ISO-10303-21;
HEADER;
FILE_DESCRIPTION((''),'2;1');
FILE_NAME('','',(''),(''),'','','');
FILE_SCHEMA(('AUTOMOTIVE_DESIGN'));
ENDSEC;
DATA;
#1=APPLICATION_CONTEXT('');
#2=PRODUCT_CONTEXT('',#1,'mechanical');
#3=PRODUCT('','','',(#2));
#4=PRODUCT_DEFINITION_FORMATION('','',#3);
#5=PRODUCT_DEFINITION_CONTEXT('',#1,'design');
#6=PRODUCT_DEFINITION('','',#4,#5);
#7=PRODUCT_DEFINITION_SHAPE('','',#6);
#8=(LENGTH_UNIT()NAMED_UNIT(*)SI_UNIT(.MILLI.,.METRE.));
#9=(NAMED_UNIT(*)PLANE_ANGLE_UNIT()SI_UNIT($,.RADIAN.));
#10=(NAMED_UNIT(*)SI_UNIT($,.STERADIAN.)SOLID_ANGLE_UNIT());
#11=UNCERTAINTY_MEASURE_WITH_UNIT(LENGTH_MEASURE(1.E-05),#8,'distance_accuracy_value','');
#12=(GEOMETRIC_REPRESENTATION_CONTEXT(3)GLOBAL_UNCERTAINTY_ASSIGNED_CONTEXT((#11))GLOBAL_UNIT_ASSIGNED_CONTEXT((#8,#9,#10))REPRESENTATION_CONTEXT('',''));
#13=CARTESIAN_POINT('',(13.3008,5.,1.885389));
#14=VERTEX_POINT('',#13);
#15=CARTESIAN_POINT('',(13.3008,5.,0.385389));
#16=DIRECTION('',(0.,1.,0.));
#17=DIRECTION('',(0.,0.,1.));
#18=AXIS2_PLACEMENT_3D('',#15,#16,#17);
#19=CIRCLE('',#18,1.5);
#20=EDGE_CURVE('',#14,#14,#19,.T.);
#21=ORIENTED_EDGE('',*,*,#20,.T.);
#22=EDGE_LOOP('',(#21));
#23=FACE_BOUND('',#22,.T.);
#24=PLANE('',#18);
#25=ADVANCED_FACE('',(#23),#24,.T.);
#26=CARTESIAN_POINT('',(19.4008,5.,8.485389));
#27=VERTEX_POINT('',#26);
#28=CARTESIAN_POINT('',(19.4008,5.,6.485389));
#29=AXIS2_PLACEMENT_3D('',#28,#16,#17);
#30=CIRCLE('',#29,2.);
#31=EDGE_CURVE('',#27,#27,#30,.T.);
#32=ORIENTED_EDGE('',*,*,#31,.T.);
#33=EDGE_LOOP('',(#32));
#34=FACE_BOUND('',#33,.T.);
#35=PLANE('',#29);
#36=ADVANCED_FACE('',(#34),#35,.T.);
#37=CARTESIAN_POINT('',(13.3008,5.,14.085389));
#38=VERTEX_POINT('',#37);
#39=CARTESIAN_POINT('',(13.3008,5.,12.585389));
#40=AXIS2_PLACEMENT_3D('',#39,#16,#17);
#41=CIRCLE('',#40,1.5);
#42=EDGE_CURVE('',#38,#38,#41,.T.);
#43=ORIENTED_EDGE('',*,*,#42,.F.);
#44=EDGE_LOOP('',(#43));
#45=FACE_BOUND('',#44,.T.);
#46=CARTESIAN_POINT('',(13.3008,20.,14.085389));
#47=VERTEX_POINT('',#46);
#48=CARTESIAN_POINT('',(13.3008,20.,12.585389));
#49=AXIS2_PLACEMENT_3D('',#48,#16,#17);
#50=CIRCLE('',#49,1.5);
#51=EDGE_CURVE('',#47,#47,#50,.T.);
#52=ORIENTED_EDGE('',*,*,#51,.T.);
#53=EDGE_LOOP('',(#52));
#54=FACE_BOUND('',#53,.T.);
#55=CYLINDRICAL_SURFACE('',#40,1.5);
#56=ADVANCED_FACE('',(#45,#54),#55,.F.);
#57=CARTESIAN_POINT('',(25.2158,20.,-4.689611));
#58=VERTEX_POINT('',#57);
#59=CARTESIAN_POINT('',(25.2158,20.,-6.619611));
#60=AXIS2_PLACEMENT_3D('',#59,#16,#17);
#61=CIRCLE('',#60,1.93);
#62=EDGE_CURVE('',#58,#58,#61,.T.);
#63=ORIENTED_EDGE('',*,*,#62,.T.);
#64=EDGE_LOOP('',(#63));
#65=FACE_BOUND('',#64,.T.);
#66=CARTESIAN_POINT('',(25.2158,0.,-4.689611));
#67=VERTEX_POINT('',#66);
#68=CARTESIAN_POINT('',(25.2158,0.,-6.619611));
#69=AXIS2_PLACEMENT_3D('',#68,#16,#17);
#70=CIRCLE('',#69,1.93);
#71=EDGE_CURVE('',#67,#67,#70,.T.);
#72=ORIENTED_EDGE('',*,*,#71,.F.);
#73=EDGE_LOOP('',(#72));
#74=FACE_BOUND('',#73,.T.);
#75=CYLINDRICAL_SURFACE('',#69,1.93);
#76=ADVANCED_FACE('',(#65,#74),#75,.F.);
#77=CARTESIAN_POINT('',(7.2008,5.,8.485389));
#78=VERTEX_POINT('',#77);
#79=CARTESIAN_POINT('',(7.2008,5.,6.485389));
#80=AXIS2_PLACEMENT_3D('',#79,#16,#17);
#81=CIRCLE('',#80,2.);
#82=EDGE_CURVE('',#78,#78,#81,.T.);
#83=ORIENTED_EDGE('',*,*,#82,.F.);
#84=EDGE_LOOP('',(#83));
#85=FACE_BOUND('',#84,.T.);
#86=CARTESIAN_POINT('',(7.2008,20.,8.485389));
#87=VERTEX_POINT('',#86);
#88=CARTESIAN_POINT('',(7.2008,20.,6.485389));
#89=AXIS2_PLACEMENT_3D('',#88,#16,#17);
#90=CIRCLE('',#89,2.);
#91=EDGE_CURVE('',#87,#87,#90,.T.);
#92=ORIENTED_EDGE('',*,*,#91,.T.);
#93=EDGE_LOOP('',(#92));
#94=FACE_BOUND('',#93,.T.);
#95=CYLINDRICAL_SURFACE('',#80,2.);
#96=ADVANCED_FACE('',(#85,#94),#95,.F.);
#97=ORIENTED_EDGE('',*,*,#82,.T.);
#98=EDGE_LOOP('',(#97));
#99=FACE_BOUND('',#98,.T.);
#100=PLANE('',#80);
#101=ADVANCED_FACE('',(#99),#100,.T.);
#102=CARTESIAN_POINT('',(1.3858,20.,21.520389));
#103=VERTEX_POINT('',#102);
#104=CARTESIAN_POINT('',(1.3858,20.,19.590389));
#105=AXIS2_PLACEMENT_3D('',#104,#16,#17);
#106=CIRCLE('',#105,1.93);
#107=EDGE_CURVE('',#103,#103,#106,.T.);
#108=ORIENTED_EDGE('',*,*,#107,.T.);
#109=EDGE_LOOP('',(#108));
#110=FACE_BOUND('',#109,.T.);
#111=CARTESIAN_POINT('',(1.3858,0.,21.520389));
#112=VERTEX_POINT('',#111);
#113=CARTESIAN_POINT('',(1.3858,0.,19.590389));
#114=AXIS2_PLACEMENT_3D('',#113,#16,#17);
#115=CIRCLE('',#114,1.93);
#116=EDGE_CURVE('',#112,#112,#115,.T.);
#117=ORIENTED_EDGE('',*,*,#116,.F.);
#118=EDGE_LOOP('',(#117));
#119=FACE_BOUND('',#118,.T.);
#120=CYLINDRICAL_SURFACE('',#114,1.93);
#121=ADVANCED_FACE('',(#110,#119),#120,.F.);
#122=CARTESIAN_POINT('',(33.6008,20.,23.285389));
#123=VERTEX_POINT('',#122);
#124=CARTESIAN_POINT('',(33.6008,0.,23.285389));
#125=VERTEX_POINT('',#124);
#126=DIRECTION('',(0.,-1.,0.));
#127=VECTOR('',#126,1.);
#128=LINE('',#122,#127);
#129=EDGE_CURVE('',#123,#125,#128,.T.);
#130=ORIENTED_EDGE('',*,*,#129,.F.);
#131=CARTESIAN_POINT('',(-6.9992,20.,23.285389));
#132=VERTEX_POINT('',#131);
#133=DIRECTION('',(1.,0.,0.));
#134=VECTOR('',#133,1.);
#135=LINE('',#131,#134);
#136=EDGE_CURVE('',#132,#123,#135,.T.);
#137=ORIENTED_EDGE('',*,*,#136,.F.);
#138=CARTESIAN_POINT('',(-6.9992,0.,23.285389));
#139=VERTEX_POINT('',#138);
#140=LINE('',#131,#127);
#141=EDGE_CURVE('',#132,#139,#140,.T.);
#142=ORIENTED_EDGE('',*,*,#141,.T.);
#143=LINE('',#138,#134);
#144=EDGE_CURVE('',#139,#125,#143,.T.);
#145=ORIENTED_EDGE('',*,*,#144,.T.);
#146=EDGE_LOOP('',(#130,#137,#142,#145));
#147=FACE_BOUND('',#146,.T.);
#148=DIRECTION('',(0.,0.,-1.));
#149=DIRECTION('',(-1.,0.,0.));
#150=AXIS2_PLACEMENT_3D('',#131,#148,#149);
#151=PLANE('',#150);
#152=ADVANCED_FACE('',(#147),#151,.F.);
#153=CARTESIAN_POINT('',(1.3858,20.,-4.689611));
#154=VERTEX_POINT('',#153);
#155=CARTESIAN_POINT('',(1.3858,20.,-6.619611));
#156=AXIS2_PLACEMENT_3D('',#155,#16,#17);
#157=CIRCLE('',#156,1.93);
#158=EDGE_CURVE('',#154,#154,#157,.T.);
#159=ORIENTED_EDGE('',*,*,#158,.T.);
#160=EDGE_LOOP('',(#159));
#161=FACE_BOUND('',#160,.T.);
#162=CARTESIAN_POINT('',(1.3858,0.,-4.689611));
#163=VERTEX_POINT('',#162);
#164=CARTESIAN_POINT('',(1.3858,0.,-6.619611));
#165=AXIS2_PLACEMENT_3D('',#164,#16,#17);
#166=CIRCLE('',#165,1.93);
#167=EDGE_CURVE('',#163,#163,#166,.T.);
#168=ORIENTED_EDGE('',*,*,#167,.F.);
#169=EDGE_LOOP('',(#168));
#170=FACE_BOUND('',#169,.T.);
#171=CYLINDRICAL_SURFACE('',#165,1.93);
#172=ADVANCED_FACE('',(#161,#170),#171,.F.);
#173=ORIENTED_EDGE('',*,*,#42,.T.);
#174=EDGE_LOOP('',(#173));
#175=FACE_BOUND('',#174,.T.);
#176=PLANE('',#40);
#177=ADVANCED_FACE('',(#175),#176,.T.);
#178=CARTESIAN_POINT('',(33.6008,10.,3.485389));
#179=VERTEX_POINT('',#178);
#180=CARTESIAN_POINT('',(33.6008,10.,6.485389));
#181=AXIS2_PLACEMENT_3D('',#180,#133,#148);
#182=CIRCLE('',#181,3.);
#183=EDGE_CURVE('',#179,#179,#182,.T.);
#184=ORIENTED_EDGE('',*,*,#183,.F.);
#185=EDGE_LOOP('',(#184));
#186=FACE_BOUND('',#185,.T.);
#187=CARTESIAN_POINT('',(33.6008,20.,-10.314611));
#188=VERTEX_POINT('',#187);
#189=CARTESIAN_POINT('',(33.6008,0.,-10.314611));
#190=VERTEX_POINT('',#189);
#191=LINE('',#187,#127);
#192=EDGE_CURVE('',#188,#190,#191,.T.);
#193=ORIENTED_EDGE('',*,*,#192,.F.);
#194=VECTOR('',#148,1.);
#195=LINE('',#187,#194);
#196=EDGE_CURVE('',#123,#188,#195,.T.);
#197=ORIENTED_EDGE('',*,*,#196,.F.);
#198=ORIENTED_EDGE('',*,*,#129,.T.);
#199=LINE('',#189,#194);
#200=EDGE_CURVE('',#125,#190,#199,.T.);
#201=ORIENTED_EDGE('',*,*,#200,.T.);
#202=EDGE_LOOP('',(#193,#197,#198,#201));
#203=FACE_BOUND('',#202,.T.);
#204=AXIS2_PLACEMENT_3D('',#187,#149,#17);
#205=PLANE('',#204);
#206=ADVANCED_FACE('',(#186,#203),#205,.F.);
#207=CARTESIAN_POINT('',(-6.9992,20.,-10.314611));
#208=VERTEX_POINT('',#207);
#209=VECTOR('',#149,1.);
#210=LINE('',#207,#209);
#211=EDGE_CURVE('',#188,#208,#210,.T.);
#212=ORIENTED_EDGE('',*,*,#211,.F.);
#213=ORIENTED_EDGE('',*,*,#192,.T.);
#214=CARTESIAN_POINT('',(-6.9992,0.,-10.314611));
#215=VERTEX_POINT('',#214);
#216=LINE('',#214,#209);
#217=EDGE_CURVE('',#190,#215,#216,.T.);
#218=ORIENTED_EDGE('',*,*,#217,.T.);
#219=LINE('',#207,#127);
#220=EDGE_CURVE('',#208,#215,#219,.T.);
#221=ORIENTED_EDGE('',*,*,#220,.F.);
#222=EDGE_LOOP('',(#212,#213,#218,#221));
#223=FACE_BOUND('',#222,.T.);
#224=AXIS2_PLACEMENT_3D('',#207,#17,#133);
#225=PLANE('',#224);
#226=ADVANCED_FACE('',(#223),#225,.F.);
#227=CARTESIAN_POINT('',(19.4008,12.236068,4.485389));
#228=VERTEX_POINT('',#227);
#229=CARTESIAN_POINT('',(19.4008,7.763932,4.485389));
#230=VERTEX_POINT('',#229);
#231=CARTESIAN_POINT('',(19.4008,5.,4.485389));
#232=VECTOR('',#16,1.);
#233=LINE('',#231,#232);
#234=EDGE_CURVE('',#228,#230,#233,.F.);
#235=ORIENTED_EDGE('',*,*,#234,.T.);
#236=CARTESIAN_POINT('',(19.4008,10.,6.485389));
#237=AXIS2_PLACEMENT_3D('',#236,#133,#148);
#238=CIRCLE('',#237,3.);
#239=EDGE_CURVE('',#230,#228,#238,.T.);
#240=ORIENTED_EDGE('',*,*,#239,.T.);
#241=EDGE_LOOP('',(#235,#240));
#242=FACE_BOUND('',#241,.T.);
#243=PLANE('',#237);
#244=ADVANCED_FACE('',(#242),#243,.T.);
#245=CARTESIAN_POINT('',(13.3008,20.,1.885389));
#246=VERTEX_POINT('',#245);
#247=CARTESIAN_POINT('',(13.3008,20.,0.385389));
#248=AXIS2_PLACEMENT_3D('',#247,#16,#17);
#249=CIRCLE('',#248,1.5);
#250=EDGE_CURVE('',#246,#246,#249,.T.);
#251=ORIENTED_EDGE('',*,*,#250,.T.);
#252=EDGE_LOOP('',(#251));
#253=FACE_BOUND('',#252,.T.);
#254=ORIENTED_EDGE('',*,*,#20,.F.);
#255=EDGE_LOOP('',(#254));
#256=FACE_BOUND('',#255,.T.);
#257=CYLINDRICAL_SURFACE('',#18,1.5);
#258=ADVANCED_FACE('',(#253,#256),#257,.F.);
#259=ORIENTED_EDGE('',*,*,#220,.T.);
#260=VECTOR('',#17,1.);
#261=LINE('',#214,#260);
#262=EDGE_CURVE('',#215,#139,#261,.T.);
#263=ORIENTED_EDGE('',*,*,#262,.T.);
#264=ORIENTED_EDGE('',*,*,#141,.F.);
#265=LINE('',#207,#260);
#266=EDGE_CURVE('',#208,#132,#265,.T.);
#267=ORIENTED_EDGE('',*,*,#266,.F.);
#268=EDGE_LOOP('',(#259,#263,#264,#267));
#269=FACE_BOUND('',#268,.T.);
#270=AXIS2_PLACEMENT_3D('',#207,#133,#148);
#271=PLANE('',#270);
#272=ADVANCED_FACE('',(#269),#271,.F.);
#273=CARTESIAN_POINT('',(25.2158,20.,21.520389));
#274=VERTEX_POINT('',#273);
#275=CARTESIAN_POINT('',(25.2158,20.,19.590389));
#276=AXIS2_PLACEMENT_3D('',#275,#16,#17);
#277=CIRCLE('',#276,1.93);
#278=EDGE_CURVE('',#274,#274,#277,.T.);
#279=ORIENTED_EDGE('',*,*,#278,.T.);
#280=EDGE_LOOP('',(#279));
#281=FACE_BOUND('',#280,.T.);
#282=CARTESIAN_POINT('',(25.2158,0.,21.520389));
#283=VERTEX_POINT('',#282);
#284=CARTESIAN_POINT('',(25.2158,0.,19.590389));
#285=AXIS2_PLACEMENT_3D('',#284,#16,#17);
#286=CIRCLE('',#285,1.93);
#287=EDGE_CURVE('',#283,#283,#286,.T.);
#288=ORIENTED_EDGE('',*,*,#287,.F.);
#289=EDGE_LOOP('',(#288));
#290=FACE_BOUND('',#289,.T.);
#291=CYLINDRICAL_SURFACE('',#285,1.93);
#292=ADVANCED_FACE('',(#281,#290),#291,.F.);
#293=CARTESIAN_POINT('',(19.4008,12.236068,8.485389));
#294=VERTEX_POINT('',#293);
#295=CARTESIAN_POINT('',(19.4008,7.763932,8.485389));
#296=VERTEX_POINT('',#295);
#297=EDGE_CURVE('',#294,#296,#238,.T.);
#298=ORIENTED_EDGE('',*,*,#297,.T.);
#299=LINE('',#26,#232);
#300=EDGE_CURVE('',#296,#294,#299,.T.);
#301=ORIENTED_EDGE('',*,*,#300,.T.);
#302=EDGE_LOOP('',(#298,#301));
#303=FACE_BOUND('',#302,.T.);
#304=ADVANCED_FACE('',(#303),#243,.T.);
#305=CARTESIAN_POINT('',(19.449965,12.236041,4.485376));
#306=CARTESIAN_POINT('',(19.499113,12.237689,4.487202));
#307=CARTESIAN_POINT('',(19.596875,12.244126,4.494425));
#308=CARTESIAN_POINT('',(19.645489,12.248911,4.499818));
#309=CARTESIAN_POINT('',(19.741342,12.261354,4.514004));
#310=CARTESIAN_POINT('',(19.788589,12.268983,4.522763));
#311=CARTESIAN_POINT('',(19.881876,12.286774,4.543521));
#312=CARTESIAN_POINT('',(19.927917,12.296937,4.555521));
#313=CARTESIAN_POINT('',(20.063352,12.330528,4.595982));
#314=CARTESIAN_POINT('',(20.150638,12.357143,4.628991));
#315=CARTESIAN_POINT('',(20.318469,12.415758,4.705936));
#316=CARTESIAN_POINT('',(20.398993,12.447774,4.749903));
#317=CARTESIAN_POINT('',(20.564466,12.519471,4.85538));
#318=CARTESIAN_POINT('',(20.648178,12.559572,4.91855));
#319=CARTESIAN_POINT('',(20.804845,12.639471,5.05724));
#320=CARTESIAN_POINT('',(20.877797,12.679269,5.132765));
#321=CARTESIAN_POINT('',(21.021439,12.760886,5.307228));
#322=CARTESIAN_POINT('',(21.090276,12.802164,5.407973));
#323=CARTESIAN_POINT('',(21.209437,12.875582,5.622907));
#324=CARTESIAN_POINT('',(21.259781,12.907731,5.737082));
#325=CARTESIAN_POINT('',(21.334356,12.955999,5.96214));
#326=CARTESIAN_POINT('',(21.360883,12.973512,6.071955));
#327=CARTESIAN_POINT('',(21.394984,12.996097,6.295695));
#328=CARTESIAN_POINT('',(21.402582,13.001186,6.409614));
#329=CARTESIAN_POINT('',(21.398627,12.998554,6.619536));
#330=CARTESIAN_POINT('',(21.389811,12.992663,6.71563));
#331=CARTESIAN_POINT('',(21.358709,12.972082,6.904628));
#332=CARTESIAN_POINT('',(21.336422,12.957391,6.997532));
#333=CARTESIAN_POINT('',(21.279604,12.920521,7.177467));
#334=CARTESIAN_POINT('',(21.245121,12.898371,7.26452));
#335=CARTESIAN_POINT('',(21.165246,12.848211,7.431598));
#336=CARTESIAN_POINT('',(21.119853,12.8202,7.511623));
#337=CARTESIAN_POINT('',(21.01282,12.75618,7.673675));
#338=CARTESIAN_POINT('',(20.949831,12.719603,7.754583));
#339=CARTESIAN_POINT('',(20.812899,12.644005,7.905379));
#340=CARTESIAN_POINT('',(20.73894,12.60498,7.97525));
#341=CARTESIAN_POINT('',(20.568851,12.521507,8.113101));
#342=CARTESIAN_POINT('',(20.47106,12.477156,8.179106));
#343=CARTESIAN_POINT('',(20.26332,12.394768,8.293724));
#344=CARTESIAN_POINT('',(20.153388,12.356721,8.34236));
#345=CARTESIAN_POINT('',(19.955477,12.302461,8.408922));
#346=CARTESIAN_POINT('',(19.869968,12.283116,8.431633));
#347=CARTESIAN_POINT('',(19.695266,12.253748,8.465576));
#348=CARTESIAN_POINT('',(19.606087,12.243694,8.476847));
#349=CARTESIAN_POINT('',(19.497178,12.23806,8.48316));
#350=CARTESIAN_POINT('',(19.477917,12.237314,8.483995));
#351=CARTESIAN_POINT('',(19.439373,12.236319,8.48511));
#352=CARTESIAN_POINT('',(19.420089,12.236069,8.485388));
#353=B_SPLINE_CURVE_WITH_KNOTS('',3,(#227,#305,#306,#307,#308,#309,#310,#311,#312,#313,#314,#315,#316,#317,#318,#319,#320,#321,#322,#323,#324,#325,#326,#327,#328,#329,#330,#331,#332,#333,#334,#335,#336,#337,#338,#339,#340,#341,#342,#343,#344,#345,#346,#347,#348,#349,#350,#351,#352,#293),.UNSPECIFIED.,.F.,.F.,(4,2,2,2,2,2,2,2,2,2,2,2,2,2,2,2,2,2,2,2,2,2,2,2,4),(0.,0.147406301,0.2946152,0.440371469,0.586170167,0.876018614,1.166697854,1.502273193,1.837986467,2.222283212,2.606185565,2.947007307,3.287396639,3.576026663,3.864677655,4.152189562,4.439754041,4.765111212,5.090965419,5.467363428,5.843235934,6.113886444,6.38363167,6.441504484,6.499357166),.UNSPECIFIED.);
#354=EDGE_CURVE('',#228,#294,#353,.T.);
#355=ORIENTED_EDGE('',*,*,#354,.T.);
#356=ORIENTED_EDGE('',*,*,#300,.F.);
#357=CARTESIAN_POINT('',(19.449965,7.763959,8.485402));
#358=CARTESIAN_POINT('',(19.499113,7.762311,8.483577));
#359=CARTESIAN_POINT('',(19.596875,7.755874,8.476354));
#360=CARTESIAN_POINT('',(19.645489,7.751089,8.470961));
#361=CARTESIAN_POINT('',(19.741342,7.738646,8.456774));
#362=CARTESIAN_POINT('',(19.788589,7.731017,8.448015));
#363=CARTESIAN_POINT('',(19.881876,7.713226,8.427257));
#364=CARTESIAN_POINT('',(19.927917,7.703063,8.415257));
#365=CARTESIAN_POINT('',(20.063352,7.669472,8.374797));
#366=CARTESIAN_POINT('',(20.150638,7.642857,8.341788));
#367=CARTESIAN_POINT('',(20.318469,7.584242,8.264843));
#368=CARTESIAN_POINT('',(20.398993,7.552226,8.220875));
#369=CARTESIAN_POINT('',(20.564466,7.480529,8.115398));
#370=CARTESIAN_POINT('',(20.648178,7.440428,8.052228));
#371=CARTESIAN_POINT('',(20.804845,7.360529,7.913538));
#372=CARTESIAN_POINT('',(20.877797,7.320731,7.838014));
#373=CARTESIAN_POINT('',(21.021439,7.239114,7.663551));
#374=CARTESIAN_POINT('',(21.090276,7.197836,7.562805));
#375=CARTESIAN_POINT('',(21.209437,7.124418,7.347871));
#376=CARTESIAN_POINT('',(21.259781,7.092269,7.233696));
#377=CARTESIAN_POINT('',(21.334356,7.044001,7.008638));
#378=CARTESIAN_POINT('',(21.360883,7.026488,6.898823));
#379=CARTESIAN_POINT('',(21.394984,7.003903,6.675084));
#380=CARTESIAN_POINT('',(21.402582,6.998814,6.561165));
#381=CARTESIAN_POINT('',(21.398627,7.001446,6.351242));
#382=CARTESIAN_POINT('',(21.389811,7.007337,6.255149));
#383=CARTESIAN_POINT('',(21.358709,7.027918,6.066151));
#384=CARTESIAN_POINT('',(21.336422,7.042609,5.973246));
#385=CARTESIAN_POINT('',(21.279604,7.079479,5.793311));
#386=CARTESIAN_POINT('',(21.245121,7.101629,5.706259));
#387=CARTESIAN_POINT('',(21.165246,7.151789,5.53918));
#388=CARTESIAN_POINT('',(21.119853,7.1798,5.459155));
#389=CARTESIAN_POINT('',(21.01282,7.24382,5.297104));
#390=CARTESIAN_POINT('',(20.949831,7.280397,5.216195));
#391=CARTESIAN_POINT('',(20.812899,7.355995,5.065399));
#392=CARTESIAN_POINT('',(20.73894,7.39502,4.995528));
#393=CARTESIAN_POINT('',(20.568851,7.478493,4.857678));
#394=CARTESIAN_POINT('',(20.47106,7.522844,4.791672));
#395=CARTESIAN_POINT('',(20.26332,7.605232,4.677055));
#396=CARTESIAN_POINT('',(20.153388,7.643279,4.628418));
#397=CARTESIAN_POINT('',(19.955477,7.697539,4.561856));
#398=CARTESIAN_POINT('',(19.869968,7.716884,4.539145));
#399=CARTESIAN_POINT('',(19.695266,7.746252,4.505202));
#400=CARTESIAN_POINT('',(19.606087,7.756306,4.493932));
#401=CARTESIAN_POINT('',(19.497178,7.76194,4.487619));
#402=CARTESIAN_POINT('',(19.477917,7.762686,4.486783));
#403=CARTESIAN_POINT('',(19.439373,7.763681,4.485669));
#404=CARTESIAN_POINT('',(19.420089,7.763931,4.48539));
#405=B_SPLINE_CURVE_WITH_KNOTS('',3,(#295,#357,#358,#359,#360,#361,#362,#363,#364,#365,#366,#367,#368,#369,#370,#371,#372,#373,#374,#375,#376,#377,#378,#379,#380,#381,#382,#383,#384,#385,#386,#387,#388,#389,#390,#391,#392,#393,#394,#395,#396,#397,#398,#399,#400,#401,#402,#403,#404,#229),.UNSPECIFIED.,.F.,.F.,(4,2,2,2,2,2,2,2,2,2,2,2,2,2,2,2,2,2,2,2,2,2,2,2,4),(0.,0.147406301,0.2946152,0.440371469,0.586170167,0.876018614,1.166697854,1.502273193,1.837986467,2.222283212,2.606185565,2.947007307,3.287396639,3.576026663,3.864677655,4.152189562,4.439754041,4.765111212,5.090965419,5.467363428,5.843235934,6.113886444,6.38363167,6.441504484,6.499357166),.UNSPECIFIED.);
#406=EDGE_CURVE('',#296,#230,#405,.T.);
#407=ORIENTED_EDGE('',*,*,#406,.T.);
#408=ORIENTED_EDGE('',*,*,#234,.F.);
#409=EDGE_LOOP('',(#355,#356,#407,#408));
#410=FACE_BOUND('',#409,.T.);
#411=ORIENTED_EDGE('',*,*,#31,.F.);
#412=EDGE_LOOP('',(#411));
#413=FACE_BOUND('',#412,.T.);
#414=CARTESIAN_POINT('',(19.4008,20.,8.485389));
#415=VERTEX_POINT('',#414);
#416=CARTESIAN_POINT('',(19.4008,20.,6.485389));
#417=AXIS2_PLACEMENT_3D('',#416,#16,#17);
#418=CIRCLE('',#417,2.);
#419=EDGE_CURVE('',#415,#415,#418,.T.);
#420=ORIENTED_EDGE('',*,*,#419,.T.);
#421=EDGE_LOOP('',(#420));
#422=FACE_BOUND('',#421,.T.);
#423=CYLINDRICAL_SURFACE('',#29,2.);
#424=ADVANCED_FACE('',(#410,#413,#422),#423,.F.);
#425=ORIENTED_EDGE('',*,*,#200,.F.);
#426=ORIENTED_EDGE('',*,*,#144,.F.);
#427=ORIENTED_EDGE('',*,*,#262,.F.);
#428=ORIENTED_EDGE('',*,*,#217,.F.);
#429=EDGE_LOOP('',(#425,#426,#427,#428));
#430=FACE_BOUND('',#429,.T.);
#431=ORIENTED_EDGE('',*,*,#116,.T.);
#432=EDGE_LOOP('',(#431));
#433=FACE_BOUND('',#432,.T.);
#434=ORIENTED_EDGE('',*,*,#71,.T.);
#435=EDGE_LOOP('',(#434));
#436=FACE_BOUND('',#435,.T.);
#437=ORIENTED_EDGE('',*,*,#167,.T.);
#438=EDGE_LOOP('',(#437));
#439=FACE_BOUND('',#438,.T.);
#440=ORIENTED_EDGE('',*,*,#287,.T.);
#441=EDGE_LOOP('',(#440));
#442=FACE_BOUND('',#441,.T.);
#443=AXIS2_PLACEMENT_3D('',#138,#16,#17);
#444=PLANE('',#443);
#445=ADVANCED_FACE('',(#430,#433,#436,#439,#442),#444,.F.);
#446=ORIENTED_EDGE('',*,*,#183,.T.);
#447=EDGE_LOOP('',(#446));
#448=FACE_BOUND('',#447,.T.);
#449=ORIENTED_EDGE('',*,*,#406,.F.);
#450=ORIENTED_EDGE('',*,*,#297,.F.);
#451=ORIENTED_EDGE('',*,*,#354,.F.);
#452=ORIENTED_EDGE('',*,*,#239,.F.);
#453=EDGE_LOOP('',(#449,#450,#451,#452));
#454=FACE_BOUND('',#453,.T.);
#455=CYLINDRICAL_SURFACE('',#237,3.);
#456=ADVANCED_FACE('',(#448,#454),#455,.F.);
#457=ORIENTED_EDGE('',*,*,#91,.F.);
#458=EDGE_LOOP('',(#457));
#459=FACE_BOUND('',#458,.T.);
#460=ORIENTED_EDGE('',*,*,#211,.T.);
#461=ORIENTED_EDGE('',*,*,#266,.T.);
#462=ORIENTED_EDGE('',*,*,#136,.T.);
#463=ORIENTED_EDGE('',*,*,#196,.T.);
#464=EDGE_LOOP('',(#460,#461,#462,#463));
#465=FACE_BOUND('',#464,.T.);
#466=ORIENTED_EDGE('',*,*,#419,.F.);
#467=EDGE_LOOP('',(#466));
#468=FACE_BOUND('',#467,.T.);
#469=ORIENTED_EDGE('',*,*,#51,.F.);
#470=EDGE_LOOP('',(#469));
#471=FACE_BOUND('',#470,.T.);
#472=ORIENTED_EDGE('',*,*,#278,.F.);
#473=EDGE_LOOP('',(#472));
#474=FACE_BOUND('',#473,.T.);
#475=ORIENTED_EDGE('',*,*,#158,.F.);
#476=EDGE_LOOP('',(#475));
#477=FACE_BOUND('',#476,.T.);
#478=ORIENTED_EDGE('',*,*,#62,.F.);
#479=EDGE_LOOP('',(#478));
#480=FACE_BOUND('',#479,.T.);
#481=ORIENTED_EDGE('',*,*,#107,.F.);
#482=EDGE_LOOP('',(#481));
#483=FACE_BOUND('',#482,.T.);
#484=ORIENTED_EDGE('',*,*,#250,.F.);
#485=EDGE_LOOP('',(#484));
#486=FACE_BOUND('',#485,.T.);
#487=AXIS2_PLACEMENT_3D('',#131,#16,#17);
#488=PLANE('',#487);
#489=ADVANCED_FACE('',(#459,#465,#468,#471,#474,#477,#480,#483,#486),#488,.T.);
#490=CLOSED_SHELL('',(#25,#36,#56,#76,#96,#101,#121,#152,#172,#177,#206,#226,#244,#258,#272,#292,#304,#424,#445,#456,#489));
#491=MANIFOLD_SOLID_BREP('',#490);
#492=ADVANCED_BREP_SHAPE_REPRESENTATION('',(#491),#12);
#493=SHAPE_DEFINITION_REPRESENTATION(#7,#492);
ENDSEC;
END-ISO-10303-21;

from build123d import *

# Parameters (mm, degrees)
SKETCH1_W       = 40.6
SKETCH1_H       = 33.6
EXTRUDE6_DEPTH  = 20
SKETCH7_R       = 1.93
EXTRUDE12_DEPTH = 46.510692117
SKETCH12_R      = 2
SKETCH12_R_2    = 1.5
EXTRUDE13_DEPTH = 15
SKETCH13_R      = 3
EXTRUDE14_DEPTH = 14.2


with BuildPart() as part:
    # Sketch1 → Extrude6 (new body)
    with BuildSketch(Plane(origin=(0, 0, 0), x_dir=(1, 0, 0), z_dir=(0, 1, 0))):
        with Locations((13.300799804, -6.485389185)):
            Rectangle(SKETCH1_W, SKETCH1_H)
    extrude(amount=EXTRUDE6_DEPTH)

    # Sketch7 → Extrude12 (cut, through all)
    with BuildSketch(Plane(origin=(0, 20, 0), x_dir=(-1, 0, 0), z_dir=(0, 1, 0))):
        with Locations(Location((-1.385799804, -6.619610815, 0), (0, 0, 90))):
            Circle(SKETCH7_R)
        with Locations(Location((-25.215799804, -6.619610815, 0), (0, 0, 90))):
            Circle(SKETCH7_R)
        with Locations(Location((-1.385799804, 19.590389185, 0), (0, 0, 90))):
            Circle(SKETCH7_R)
        with Locations(Location((-25.215799804, 19.590389185, 0), (0, 0, 90))):
            Circle(SKETCH7_R)
    extrude(amount=-EXTRUDE12_DEPTH, mode=Mode.SUBTRACT)

    # Sketch12 → Extrude13 (cut)
    with BuildSketch(Plane(origin=(0, 20, 0), x_dir=(1, 0, 0), z_dir=(0, 1, 0))):
        with Locations(Location((7.200799804, -6.485389185, 0), (0, 0, 270))):
            Circle(SKETCH12_R)
        with Locations(Location((13.300799804, -0.385389185, 0), (0, 0, 270))):
            Circle(SKETCH12_R_2)
        with Locations(Location((19.400799804, -6.485389185, 0), (0, 0, 270))):
            Circle(SKETCH12_R)
        with Locations(Location((13.300799804, -12.585389185, 0), (0, 0, 270))):
            Circle(SKETCH12_R_2)
    extrude(amount=-EXTRUDE13_DEPTH, mode=Mode.SUBTRACT)

    # Sketch13 → Extrude14 (cut)
    with BuildSketch(Plane(origin=(33.600799804, 0, 0), x_dir=(0, 0, -1), z_dir=(1, 0, 0))):
        with Locations((-6.485389185, 10)):
            Circle(SKETCH13_R)
    extrude(amount=-EXTRUDE14_DEPTH, mode=Mode.SUBTRACT)


solid = part.part
